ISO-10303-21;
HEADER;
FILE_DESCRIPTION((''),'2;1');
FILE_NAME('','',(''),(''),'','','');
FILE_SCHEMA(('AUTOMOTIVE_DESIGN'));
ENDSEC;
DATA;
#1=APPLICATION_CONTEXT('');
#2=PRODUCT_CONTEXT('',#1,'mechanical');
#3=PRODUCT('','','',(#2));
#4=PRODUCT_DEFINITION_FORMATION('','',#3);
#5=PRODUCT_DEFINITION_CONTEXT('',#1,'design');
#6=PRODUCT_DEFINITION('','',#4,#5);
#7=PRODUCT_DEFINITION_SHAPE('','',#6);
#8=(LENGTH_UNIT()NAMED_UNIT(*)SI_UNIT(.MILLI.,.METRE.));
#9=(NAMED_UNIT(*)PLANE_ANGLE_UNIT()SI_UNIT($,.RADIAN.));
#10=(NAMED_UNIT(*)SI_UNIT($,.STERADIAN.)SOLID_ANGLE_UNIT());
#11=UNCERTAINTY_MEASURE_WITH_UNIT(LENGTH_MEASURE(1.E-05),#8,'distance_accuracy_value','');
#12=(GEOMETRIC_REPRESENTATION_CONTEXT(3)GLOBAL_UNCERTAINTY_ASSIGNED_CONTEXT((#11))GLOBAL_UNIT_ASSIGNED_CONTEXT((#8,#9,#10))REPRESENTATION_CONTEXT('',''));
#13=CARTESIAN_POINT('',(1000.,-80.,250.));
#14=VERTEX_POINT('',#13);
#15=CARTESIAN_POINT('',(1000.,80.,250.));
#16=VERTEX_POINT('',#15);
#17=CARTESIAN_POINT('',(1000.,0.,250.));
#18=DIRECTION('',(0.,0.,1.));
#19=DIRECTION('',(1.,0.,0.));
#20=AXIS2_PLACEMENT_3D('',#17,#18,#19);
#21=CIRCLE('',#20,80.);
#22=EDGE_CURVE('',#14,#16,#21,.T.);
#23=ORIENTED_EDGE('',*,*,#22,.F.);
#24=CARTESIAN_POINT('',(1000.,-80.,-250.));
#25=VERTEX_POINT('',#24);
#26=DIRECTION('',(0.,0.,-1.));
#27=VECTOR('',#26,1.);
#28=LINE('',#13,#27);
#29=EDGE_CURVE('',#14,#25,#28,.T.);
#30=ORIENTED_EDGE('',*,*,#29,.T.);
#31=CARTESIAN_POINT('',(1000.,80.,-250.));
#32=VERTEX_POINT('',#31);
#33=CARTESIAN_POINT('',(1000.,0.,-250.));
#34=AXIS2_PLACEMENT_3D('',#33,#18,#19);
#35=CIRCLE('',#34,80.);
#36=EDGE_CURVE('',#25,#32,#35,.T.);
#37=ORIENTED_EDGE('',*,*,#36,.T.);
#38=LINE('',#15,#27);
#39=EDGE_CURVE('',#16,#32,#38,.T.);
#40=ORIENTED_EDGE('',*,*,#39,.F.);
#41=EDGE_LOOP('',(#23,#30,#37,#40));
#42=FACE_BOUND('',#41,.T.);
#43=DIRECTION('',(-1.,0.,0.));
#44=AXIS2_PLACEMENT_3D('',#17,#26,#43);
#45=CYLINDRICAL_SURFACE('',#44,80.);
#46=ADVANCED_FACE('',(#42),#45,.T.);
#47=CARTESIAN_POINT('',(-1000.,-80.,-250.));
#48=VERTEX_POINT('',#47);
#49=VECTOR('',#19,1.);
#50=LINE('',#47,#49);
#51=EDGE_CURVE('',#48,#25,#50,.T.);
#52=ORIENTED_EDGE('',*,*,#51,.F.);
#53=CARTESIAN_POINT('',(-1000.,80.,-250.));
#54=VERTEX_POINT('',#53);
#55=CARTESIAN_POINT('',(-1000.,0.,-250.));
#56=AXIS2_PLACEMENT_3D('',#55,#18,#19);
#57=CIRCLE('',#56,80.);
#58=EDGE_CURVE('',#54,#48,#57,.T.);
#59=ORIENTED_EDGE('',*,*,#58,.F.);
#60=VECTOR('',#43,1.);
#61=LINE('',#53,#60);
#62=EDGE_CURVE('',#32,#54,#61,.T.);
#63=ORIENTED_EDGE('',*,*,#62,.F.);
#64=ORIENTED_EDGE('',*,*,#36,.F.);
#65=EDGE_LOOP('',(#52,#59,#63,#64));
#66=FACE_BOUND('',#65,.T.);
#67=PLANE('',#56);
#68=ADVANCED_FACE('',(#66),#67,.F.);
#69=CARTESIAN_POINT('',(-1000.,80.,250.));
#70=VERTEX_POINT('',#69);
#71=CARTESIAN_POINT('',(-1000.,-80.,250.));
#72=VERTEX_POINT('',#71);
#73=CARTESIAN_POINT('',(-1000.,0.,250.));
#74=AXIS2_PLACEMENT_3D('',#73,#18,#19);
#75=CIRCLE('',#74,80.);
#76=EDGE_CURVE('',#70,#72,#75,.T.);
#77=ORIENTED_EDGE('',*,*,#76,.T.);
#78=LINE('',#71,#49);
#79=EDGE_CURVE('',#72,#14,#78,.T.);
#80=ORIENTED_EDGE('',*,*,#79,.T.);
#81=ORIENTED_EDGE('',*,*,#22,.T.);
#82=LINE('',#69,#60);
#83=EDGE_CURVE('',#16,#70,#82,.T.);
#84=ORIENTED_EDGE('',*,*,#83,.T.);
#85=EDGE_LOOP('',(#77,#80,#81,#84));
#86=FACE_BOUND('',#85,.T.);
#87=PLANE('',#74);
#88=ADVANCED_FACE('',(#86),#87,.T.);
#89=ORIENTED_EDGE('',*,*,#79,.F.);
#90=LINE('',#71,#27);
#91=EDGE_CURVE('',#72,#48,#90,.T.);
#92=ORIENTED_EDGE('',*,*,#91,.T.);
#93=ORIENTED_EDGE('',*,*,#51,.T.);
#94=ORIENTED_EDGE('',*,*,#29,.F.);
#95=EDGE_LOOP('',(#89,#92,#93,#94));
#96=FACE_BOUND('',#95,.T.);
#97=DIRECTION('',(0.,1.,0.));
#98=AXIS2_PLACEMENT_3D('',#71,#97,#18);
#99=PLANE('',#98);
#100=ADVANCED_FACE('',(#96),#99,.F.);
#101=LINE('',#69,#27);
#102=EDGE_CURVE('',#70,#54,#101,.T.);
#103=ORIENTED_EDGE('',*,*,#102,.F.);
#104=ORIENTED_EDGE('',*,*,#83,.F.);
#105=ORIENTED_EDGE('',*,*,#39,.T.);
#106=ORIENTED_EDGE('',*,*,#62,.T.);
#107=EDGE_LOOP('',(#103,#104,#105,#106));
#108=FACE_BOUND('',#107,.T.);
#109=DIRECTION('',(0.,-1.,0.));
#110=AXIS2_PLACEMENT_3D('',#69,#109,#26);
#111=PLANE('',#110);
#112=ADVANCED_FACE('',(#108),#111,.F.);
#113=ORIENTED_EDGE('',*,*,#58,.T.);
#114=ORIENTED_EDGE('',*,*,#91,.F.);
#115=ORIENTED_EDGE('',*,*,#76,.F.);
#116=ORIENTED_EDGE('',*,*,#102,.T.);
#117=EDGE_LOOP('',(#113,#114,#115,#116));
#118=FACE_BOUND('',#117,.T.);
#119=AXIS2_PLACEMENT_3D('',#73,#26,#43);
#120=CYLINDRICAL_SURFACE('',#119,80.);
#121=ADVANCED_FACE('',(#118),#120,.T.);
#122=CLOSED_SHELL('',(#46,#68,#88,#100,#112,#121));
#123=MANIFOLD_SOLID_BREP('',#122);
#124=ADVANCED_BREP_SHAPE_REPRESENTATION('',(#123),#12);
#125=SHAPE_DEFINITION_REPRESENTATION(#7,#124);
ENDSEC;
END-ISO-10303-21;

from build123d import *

# Parameters (mm, degrees)
BOSS_EXTRUDE1_DEPTH = 250


with BuildPart() as part:
    # Sketch1 → Boss-Extrude1 (new, symmetric)
    with BuildSketch(Plane.XY):
        with BuildLine():
            Line((-1000, 80), (1000, 80))
            ThreePointArc((1000, 80), (1080, 0), (1000, -80))
            Line((1000, -80), (-1000, -80))
            ThreePointArc((-1000, -80), (-1080, 0), (-1000, 80))
        make_face()
    extrude(amount=BOSS_EXTRUDE1_DEPTH, both=True)


solid = part.part
